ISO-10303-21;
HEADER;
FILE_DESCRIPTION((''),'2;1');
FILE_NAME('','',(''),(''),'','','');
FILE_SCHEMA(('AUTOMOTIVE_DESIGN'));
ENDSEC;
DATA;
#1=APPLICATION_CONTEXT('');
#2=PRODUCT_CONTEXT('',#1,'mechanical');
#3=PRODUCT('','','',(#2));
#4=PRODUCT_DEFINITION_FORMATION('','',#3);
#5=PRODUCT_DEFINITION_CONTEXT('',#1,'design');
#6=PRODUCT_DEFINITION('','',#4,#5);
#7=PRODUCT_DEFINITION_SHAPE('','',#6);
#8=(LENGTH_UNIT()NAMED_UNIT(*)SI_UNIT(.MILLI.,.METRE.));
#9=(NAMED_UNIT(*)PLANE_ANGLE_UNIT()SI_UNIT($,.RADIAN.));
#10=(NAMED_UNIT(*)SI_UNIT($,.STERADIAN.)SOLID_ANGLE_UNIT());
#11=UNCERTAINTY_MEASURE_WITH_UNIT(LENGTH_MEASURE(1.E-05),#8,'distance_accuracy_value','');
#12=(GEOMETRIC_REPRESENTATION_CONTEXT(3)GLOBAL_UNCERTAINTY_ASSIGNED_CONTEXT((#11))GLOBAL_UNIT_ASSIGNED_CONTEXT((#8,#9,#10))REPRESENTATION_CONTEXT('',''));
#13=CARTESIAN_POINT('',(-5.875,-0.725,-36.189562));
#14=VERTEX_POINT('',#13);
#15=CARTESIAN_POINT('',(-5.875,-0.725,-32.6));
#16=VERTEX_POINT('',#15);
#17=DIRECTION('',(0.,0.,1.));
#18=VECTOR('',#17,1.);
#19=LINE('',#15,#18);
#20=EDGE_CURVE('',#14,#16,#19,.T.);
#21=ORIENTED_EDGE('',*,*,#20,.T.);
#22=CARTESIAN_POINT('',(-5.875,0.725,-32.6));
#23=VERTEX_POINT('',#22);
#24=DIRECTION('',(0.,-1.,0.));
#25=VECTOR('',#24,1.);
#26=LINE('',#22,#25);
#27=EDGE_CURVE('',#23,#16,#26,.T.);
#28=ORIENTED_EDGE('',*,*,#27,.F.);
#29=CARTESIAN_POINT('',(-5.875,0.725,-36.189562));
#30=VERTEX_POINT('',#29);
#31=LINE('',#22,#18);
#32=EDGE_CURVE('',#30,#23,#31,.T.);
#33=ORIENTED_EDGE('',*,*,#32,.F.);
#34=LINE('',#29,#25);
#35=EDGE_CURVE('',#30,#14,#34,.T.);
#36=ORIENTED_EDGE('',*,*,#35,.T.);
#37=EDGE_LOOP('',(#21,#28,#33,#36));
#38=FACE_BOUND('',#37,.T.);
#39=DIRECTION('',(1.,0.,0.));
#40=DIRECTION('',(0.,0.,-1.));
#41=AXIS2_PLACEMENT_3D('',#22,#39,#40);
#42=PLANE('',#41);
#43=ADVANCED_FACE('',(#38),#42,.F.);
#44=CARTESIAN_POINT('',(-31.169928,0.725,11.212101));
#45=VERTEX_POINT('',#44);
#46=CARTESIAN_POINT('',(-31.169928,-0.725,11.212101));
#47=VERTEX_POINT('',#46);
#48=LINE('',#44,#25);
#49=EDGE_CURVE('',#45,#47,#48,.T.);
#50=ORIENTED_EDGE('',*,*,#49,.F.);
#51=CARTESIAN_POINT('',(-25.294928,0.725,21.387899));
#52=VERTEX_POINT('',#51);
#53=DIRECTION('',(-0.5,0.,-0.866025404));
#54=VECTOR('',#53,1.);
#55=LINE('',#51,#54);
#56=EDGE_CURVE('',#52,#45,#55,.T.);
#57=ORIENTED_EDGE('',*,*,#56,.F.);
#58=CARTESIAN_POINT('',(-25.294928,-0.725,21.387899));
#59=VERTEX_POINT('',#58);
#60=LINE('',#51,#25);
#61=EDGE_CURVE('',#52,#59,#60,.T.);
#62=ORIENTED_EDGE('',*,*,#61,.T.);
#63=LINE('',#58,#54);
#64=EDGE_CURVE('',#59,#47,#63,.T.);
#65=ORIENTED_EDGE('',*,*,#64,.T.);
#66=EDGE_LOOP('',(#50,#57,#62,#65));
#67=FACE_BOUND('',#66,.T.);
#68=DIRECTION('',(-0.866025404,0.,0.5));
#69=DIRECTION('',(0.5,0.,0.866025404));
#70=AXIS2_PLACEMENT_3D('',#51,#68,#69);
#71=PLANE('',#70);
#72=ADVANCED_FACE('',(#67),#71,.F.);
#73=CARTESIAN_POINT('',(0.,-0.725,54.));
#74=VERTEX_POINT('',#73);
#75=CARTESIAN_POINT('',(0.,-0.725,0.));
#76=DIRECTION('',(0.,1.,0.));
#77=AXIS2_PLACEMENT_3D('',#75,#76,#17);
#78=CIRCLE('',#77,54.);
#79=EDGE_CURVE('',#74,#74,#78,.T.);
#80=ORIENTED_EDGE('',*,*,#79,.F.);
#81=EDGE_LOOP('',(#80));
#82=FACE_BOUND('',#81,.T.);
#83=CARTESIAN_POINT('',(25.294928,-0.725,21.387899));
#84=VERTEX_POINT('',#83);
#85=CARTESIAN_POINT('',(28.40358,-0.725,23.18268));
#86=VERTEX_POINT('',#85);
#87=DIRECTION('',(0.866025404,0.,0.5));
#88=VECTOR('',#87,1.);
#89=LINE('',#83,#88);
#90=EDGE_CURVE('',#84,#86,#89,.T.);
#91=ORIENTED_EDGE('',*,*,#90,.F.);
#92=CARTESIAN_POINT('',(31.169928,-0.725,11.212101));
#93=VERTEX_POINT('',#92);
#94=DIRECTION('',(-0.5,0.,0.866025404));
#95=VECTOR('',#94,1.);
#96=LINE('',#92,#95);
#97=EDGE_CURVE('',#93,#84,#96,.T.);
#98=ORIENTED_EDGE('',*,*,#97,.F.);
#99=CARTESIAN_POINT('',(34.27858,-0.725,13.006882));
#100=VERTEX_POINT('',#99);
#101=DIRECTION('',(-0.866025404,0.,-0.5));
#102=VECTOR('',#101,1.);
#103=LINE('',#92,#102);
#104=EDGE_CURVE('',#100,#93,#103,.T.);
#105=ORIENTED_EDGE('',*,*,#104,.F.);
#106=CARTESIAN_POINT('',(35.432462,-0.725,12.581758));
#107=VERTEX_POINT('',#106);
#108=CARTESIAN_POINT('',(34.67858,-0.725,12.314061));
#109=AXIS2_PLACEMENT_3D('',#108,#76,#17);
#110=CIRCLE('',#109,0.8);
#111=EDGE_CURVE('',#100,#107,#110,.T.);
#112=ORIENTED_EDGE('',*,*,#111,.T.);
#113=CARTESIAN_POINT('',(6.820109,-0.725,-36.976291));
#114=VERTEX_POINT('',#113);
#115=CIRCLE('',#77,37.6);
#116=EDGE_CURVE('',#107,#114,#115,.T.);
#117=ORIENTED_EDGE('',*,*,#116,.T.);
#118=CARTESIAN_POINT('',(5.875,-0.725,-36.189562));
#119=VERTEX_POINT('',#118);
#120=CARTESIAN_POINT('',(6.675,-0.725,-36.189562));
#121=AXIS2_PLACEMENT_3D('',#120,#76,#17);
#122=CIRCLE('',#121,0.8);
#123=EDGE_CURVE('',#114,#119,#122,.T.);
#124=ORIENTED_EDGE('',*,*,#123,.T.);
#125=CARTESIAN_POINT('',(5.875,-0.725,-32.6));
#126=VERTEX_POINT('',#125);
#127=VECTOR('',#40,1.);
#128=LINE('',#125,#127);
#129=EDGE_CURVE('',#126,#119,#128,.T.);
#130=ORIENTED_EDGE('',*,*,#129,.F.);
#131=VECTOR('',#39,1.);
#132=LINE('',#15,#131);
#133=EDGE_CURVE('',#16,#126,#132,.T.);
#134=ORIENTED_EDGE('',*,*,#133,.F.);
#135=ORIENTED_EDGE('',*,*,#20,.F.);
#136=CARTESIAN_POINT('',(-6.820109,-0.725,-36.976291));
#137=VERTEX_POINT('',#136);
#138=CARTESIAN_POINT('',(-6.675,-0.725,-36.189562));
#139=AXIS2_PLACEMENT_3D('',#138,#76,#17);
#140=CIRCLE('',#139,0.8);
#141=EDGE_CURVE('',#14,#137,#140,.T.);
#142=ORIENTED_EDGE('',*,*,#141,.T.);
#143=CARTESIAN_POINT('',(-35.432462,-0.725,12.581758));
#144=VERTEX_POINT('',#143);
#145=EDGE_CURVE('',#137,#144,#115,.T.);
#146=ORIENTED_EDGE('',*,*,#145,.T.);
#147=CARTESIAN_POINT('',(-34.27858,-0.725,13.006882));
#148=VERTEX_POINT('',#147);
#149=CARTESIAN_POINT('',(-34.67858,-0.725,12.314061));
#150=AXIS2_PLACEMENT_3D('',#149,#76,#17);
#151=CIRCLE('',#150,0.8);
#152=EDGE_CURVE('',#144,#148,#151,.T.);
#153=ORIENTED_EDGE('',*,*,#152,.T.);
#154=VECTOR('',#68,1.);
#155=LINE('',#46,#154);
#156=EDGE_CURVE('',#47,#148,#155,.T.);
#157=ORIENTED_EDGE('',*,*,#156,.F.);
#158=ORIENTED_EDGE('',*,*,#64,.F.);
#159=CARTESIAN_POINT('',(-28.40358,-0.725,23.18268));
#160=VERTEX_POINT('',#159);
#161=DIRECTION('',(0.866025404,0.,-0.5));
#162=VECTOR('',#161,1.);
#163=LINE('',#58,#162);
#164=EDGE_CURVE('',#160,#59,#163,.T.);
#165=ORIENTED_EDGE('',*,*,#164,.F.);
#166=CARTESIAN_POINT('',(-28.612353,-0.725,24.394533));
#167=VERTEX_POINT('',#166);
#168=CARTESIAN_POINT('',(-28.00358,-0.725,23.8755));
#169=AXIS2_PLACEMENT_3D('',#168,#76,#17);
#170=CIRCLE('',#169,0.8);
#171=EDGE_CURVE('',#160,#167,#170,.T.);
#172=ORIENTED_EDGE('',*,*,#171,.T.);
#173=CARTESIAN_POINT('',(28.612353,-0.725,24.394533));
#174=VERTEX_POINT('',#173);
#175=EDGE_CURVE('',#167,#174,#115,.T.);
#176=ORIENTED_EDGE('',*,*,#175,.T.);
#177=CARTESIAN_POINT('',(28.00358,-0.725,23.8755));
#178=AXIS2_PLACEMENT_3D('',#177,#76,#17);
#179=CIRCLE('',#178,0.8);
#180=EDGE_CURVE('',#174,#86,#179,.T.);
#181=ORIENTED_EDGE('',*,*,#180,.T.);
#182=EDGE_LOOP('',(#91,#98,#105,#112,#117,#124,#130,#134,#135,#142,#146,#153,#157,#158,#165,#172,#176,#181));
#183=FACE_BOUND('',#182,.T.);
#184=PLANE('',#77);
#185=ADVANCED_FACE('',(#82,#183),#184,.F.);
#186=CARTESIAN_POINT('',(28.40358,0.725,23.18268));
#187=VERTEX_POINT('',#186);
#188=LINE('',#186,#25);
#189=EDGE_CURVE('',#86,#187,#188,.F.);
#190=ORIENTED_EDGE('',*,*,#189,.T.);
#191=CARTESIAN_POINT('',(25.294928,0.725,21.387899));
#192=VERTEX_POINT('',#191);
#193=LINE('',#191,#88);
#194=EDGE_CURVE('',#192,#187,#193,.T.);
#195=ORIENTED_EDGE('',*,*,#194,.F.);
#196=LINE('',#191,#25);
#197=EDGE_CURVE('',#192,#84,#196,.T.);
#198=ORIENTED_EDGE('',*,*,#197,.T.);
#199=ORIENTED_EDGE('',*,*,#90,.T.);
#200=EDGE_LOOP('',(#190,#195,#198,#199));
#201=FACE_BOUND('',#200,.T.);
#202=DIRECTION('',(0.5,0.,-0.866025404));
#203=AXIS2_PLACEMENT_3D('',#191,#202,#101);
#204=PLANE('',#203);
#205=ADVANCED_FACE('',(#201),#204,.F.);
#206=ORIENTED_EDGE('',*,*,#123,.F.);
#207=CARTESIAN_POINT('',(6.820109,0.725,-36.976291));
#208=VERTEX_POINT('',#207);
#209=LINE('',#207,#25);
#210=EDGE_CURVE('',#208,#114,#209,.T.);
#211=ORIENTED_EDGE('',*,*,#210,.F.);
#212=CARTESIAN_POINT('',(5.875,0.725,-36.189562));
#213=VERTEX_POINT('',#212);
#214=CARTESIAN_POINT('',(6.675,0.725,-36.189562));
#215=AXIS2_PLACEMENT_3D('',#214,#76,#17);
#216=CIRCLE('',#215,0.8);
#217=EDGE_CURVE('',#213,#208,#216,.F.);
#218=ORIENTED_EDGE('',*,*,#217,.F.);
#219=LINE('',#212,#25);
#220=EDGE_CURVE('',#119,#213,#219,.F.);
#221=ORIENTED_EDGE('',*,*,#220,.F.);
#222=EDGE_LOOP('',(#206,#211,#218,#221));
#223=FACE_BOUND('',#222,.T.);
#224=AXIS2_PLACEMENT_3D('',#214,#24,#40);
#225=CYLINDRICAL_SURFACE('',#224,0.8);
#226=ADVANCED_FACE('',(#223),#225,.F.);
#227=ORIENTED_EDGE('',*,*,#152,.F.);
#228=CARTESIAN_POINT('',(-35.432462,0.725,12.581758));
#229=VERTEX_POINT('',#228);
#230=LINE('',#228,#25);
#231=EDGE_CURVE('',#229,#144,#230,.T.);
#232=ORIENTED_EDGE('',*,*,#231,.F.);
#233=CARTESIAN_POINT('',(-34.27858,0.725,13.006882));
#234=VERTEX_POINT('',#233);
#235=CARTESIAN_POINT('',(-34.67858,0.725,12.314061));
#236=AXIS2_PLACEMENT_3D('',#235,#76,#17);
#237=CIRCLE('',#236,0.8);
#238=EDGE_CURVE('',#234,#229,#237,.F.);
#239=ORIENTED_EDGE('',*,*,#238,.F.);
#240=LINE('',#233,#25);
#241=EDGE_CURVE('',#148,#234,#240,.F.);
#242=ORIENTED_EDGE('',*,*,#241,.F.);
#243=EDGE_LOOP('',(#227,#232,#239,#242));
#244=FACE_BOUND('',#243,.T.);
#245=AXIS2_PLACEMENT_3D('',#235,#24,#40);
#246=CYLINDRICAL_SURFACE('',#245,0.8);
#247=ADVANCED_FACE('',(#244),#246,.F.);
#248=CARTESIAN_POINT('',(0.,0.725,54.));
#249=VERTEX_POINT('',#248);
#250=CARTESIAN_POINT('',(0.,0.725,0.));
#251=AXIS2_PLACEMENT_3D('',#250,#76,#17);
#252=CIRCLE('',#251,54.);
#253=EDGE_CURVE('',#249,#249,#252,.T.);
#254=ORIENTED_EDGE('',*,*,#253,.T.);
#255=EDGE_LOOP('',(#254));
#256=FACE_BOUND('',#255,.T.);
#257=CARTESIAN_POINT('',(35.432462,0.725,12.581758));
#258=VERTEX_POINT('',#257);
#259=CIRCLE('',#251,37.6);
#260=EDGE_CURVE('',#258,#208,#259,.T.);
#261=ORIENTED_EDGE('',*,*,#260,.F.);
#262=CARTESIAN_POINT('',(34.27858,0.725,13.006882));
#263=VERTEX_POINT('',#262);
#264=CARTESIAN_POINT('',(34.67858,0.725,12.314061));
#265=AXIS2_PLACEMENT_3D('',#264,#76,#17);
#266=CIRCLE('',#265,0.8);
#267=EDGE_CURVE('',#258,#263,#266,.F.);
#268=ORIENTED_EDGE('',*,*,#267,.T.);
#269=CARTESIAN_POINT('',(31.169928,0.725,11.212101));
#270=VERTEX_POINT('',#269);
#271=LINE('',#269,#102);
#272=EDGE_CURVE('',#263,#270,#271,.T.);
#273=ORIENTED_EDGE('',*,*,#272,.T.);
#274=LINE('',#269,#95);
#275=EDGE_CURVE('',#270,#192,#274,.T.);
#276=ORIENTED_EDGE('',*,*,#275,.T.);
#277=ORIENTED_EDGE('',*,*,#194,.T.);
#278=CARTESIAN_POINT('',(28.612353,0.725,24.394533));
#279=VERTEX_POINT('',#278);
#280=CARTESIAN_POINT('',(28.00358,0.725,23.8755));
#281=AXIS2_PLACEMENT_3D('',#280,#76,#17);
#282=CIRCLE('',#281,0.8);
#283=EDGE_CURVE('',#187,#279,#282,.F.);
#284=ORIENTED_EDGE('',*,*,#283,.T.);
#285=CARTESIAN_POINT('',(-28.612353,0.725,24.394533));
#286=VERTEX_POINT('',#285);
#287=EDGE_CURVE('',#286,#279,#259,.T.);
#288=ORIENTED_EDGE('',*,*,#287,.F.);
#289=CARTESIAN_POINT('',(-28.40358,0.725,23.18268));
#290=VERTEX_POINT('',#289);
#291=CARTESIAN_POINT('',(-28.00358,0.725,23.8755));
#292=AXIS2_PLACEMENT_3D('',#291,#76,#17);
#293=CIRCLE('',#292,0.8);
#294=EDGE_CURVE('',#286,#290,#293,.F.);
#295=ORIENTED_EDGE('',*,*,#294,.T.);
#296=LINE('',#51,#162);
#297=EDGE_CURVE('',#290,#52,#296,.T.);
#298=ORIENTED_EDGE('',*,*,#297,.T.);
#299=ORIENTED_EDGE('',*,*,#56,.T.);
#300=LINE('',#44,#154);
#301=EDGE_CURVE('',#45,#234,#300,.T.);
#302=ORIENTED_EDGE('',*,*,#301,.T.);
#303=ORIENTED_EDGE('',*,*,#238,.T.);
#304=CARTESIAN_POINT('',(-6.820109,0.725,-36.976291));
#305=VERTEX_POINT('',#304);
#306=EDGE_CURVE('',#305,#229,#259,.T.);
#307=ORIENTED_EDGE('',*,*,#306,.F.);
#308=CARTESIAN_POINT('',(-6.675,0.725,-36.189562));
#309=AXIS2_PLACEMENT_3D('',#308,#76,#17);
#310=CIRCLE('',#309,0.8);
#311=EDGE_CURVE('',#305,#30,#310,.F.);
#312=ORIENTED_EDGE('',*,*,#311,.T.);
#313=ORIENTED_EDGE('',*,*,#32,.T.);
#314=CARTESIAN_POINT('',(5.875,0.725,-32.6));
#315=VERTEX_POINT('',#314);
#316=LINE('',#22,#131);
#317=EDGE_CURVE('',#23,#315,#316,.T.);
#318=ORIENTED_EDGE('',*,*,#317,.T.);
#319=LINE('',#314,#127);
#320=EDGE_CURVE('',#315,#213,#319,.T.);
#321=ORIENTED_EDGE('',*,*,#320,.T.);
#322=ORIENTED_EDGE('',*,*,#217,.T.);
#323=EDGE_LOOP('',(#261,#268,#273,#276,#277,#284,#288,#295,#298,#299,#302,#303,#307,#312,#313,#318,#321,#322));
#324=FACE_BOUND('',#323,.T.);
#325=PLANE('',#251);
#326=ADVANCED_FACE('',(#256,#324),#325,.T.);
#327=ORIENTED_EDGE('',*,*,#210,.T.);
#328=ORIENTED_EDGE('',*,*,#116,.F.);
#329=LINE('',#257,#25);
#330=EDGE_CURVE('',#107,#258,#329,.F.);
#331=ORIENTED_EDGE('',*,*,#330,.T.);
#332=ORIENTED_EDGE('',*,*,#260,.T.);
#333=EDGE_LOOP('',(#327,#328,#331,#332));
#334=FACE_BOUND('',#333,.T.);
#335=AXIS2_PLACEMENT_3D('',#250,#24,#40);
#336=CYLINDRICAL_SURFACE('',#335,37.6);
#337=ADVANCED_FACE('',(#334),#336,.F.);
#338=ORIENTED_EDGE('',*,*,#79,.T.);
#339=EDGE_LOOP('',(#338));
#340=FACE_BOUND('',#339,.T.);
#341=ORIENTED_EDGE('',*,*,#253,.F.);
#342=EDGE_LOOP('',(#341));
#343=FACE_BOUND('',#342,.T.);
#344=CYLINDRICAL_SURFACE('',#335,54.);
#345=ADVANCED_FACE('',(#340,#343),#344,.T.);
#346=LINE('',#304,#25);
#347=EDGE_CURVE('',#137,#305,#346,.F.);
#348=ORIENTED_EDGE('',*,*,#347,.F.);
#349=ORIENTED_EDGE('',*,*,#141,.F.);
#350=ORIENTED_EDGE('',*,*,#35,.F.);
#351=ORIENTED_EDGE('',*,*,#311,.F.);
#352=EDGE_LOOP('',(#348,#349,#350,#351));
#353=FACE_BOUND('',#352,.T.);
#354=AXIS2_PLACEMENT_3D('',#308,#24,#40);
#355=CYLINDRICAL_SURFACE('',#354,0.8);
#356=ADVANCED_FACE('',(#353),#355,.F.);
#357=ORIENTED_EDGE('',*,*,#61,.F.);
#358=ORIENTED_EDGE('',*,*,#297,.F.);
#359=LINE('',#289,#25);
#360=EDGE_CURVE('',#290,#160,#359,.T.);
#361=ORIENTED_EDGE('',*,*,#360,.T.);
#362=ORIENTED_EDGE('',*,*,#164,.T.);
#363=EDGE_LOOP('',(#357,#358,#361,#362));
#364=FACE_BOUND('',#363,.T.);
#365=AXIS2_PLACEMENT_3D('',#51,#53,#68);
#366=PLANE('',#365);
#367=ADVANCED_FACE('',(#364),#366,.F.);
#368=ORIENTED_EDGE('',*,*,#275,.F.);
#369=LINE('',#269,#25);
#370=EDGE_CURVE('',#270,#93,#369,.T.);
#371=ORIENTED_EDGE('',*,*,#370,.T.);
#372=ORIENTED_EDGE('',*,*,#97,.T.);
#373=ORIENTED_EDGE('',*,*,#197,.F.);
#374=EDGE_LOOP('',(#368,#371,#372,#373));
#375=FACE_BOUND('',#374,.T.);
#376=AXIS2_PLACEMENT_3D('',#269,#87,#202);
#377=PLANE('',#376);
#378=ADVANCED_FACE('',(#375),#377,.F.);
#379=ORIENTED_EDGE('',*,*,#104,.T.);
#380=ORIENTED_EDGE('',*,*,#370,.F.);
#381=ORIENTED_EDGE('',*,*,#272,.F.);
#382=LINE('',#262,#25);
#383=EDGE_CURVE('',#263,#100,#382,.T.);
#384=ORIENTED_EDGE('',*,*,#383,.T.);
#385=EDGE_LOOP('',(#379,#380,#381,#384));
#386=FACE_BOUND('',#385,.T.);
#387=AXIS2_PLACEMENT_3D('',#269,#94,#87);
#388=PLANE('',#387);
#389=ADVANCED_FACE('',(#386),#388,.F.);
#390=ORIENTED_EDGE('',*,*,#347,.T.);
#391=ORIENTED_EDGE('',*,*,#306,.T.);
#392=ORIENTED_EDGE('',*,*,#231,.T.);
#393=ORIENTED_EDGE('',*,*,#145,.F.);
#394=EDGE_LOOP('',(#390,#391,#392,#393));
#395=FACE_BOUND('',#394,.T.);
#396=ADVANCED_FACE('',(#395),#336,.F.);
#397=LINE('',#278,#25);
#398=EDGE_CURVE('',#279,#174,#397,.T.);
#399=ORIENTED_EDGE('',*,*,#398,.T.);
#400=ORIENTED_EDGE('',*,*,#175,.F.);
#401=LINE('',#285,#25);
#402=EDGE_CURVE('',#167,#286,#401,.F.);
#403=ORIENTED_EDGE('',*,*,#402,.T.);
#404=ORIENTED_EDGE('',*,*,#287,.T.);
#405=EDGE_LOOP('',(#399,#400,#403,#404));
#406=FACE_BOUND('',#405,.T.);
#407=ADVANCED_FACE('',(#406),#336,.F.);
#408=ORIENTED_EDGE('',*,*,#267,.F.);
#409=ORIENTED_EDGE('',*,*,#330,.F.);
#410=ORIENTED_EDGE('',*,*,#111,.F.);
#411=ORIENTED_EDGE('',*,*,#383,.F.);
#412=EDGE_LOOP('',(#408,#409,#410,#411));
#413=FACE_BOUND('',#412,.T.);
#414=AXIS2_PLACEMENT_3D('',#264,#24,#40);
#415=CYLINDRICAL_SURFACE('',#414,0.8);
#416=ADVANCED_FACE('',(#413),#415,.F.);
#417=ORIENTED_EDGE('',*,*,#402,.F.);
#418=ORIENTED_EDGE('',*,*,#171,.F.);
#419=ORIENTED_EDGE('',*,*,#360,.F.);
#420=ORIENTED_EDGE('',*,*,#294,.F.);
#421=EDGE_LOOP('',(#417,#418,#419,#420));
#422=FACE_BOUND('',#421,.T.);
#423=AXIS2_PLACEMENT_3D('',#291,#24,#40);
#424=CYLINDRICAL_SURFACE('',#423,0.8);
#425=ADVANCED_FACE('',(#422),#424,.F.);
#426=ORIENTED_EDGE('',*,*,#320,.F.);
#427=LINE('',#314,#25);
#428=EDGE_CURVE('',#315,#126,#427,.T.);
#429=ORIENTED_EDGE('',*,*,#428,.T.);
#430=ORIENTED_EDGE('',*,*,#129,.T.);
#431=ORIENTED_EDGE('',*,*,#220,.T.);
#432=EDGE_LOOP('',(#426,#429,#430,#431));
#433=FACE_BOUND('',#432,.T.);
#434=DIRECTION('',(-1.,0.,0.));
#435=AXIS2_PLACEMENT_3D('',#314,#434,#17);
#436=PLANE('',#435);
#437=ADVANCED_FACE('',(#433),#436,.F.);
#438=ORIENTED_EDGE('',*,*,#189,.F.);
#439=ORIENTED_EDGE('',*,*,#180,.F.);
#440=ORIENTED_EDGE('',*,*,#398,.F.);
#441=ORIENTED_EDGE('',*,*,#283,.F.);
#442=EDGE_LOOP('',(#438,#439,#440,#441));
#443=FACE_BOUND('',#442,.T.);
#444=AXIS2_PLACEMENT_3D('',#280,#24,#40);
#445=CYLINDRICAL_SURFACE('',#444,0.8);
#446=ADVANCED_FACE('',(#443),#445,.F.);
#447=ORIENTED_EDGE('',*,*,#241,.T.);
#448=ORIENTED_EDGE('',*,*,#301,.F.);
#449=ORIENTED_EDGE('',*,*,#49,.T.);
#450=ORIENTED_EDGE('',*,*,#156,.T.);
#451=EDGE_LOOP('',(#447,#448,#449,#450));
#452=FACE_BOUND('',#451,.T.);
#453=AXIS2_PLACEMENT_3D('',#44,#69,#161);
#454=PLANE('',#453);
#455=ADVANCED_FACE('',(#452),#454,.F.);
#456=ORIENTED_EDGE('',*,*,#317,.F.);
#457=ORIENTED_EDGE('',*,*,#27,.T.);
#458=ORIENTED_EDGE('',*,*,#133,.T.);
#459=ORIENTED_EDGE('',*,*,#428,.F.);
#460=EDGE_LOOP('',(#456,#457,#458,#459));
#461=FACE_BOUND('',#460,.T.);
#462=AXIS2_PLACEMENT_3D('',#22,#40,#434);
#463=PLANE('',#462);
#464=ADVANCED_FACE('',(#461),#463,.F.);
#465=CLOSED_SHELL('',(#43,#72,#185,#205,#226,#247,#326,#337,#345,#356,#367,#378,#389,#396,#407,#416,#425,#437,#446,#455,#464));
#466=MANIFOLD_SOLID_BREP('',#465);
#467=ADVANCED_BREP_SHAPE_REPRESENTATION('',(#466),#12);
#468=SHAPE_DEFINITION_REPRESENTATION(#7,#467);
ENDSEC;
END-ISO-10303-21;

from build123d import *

# Parameters (mm, degrees)
SKETCH1_R                = 54
SKETCH1_R_2              = 37.6
BOSS_EXTRUDE1_DEPTH      = 0.725
BOSS_EXTRUDE2_DEPTH      = 0.725
FILLET1_R                = 0.8
CIRPATTERN1_COUNT        = 3
FILLET1_OF_CIRPATTERN1_R = 0.8


with BuildPart() as part:
    # Sketch1 → Boss-Extrude1 (new, symmetric)
    with BuildSketch(Plane(origin=(0, 0, 0), x_dir=(1, 0, 0), z_dir=(0, 1, 0))):
        with Locations(Location((0, 0, 0), (0, 0, 270))):
            Circle(SKETCH1_R)
        with Locations(Location((0, 0, 0), (0, 0, 270))):
            Circle(SKETCH1_R_2, mode=Mode.SUBTRACT)
    extrude(amount=BOSS_EXTRUDE1_DEPTH, both=True)

    # Sketch2 → Boss-Extrude2 (add, symmetric)
    with BuildSketch(Plane(origin=(0, 0, 0), x_dir=(1, 0, 0), z_dir=(0, 1, 0))):
        with BuildLine():
            Line((-5.875, 32.6), (5.875, 32.6))
            Line((5.875, 32.6), (5.875, 37.138179479))
            ThreePointArc((5.875, 37.138179479), (0, 37.6), (-5.875, 37.138179479))
            Line((-5.875, 37.138179479), (-5.875, 32.6))
        make_face()
    boss_extrude2 = extrude(amount=BOSS_EXTRUDE2_DEPTH, both=True)

    # Fillet1
    fillet1_edges = [part.edges().sort_by_distance(p)[0] for p in [
        (-5.875, 0, -37.138179479),
        (5.875, 0, -37.138179479),
    ]]
    fillet(fillet1_edges, radius=FILLET1_R)

    # CirPattern1: Boss-Extrude2 ×3 about axis
    cirpattern1_axis = Axis((0, 0, 0), (0, 1, 0))
    for i in range(1, CIRPATTERN1_COUNT):
        add(boss_extrude2.rotate(cirpattern1_axis, i * 360 / CIRPATTERN1_COUNT))

    # Fillet1 of CirPattern1
    fillet1_of_cirpattern1_edges = [part.edges().sort_by_distance(p)[0] for p in [
        (-29.225106879, 0, 23.656988987),
        (-35.100106879, 0, 13.481190492),
        (35.100106879, 0, 13.481190492),
        (29.225106879, 0, 23.656988987),
    ]]
    fillet(fillet1_of_cirpattern1_edges, radius=FILLET1_OF_CIRPATTERN1_R)


solid = part.part
